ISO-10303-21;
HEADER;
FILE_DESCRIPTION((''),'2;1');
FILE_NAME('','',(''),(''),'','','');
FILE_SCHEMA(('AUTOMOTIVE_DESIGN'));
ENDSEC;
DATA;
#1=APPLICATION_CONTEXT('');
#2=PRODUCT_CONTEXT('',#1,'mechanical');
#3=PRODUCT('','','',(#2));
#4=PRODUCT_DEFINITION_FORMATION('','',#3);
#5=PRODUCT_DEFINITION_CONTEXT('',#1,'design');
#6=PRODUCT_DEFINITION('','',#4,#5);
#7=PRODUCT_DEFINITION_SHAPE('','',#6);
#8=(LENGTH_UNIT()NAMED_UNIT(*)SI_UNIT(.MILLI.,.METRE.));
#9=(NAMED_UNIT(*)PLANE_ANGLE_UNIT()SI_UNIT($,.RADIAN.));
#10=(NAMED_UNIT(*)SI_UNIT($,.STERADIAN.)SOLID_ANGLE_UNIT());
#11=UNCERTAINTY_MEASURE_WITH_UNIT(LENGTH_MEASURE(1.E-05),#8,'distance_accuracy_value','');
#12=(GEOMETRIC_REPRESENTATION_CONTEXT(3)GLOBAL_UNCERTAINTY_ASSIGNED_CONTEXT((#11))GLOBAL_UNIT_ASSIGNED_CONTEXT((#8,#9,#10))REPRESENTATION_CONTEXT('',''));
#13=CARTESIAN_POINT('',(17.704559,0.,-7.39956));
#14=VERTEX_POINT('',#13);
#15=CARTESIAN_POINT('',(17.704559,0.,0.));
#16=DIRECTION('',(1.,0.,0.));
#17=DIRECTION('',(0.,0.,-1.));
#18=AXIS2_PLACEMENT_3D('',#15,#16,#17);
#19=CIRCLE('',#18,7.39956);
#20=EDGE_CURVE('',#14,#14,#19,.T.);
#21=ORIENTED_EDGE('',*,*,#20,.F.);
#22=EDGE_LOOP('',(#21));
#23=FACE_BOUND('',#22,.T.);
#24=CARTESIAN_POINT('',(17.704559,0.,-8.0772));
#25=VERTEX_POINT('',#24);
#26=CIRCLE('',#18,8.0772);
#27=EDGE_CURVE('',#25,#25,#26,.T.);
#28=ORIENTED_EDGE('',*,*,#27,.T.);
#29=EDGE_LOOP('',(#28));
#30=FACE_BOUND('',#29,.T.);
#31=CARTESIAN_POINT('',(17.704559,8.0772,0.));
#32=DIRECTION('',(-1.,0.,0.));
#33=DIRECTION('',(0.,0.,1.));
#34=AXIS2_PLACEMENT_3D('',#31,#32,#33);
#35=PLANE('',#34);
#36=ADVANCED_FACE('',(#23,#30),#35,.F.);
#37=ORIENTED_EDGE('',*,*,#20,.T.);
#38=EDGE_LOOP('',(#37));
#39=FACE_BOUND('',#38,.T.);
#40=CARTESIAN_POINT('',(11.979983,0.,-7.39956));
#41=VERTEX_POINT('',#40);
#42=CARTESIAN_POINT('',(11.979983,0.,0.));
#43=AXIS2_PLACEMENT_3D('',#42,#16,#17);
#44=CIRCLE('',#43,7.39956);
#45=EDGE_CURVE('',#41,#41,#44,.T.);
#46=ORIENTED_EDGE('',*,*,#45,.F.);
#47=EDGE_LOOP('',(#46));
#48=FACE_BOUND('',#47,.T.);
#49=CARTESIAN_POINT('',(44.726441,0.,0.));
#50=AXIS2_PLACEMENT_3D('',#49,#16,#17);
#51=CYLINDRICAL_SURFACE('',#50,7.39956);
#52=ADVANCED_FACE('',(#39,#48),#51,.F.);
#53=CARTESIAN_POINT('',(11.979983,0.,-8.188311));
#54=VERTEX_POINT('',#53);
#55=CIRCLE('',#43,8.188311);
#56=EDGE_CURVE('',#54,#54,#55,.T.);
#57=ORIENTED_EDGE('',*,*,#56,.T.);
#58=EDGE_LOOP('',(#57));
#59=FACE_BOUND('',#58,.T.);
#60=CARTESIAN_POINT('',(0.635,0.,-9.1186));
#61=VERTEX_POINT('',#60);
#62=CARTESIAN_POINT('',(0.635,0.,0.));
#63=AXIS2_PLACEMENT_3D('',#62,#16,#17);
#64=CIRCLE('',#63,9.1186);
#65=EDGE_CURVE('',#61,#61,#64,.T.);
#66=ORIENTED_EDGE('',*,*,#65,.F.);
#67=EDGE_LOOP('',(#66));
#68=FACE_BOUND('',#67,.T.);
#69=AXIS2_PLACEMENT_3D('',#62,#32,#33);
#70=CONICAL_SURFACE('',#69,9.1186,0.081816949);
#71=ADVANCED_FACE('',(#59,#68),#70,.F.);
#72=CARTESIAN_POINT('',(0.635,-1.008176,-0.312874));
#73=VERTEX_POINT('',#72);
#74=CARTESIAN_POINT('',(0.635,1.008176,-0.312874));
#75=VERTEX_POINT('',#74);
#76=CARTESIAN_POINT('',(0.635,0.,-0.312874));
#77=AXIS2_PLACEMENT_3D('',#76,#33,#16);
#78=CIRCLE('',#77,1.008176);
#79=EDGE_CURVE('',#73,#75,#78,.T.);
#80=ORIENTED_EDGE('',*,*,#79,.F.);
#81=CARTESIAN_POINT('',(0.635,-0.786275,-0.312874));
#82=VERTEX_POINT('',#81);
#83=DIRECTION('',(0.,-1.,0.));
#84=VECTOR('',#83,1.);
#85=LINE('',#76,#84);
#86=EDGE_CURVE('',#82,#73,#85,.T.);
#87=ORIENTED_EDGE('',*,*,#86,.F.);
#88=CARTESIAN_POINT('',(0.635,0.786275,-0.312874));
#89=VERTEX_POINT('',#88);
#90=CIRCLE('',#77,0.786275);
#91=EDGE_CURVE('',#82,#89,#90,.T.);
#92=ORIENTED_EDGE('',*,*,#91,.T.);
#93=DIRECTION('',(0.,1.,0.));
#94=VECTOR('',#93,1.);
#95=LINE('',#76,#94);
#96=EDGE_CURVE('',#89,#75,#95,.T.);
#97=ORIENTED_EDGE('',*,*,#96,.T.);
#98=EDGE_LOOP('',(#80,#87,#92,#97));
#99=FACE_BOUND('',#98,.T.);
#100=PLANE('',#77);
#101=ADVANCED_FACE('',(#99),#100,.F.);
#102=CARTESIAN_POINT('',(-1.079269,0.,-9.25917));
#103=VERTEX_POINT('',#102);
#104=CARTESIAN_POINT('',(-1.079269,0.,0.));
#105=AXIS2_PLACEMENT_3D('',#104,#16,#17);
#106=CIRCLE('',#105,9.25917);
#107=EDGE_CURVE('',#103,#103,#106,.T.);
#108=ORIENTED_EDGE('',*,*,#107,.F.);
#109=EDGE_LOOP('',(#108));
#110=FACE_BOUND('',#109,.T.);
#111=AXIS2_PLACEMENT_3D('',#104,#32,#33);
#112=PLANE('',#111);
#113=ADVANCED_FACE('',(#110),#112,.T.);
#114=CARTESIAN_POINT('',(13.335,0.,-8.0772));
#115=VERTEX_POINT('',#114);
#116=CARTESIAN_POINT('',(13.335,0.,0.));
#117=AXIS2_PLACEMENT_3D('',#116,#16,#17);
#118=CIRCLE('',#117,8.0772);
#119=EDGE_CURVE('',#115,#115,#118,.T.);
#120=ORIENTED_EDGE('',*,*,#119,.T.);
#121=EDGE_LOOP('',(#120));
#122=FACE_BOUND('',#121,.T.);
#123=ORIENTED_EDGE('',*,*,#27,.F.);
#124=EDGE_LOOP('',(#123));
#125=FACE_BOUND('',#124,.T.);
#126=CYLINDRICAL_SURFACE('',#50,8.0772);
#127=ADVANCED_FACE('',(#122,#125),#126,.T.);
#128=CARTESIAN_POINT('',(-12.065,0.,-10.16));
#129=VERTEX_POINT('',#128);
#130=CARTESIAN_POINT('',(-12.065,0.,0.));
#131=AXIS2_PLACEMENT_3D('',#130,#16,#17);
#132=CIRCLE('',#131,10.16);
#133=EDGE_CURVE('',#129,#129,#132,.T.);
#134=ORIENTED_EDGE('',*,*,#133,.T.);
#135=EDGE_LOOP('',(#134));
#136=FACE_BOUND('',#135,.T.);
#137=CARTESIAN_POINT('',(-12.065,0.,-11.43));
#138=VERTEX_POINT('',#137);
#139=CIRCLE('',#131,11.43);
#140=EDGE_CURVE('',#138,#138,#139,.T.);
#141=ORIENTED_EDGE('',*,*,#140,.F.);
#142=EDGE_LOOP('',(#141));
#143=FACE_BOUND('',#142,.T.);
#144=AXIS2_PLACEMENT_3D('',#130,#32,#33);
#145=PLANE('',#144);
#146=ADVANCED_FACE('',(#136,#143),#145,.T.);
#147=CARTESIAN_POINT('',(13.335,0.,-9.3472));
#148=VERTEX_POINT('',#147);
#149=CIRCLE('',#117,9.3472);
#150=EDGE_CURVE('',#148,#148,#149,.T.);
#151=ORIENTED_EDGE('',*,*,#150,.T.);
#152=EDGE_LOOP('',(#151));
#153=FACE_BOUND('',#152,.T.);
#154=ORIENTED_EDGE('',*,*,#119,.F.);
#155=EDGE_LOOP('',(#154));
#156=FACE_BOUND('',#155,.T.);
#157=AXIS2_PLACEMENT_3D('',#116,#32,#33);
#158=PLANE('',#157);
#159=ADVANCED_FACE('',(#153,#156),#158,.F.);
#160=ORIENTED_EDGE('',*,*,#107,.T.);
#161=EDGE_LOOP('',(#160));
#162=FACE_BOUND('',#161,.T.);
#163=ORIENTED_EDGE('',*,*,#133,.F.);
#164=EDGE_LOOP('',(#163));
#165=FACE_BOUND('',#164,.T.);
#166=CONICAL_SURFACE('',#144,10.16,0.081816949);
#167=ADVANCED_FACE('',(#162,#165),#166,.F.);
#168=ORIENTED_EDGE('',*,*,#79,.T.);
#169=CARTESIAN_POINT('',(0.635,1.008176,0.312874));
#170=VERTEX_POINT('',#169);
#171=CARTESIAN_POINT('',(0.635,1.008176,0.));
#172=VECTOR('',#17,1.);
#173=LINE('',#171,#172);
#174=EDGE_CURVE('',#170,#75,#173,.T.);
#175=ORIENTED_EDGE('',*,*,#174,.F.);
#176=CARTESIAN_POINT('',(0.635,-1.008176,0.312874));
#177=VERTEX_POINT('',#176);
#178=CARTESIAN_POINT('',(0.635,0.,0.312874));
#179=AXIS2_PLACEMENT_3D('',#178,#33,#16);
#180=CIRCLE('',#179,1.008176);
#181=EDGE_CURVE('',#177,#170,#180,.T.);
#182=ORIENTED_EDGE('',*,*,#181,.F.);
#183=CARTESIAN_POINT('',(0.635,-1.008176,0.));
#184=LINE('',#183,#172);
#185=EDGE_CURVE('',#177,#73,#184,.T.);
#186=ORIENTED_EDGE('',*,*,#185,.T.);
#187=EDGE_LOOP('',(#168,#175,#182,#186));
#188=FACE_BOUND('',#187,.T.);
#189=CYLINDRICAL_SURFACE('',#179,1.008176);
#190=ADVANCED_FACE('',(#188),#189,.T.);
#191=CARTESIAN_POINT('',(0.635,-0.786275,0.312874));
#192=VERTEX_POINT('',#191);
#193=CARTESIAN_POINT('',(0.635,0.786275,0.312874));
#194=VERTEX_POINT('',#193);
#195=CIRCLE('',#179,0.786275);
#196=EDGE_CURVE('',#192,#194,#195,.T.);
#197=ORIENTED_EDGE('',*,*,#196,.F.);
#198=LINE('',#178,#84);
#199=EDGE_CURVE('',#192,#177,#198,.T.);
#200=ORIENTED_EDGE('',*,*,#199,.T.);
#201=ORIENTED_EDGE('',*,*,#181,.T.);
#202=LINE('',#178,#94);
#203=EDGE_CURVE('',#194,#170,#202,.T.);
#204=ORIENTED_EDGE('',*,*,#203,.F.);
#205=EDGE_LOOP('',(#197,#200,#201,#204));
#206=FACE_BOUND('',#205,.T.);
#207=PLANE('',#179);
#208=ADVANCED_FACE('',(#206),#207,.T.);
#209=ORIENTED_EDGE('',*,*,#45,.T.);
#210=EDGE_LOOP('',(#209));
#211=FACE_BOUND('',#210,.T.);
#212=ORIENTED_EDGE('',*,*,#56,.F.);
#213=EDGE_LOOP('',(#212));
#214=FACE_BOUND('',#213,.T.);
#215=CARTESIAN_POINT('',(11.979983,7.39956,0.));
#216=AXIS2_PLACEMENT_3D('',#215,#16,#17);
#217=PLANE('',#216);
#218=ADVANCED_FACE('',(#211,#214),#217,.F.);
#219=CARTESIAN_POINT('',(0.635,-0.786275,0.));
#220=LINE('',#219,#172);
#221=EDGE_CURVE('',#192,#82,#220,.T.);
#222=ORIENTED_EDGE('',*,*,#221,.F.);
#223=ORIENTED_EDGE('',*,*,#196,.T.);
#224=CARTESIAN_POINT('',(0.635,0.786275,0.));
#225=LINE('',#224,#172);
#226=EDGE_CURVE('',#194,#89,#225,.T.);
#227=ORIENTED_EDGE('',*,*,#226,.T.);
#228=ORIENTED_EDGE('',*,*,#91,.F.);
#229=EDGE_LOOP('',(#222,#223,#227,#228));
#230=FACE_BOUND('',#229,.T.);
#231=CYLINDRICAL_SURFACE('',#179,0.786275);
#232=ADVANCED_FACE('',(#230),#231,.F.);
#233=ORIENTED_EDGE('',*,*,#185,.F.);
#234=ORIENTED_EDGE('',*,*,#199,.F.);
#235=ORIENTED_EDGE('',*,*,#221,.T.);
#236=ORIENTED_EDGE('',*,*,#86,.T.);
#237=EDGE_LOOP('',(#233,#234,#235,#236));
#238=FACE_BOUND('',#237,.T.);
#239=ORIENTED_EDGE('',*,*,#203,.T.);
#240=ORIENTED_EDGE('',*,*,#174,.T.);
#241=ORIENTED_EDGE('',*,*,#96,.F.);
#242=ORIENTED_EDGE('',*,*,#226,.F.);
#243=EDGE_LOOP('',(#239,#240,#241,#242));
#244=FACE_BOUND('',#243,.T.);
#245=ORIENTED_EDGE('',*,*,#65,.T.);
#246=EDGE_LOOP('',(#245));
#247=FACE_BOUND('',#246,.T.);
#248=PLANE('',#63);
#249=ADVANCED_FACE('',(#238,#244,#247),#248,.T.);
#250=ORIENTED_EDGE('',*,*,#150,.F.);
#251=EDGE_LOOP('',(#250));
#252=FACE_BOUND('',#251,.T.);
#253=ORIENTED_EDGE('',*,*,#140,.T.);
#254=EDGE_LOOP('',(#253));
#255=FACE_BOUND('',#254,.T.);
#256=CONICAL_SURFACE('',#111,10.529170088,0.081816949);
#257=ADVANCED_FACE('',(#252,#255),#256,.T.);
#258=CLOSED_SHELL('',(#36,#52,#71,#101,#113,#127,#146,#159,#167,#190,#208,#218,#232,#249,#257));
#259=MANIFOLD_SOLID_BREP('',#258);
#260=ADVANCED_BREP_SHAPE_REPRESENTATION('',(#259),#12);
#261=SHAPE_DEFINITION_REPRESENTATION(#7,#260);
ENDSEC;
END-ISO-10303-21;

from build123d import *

# Parameters (mm, degrees)
SKETCH2_W      = 0.625748312
SKETCH2_H      = 0.221900722
REVOLVE5_ANGLE = 180


with BuildPart() as part:
    # Sketch1 → Revolve4 (revolve)
    with BuildSketch(Plane.XY, mode=Mode.PRIVATE) as revolve4_sk:
        Polygon((-12.065, 11.43), (-12.065, 10.16), (-1.079269363, 9.259170088), (-1.079269363, 0), (0.635, 0), (0.635, 9.1186), (11.979982671, 8.188311421), (11.979982671, 7.399559782), (17.704559016, 7.399559782), (17.704559016, 8.0772), (13.335, 8.0772), (13.335, 9.3472), align=None)
    revolve(revolve4_sk.sketch.rotate(Axis((44.726440805, 0, 0), (-1, 0, 0)), 90), axis=Axis((44.726440805, 0, 0), (-1, 0, 0)))

    # Sketch2 → Revolve5 (revolve)
    with BuildSketch(Plane(origin=(0.635, 0, 0), x_dir=(0, 0, -1), z_dir=(1, 0, 0))):
        with Locations((0, 0.897225516)):
            Rectangle(SKETCH2_W, SKETCH2_H)
    revolve(axis=Axis((0.635, 0, 0.312874156), (0, 0, -1)), revolution_arc=REVOLVE5_ANGLE)


solid = part.part
